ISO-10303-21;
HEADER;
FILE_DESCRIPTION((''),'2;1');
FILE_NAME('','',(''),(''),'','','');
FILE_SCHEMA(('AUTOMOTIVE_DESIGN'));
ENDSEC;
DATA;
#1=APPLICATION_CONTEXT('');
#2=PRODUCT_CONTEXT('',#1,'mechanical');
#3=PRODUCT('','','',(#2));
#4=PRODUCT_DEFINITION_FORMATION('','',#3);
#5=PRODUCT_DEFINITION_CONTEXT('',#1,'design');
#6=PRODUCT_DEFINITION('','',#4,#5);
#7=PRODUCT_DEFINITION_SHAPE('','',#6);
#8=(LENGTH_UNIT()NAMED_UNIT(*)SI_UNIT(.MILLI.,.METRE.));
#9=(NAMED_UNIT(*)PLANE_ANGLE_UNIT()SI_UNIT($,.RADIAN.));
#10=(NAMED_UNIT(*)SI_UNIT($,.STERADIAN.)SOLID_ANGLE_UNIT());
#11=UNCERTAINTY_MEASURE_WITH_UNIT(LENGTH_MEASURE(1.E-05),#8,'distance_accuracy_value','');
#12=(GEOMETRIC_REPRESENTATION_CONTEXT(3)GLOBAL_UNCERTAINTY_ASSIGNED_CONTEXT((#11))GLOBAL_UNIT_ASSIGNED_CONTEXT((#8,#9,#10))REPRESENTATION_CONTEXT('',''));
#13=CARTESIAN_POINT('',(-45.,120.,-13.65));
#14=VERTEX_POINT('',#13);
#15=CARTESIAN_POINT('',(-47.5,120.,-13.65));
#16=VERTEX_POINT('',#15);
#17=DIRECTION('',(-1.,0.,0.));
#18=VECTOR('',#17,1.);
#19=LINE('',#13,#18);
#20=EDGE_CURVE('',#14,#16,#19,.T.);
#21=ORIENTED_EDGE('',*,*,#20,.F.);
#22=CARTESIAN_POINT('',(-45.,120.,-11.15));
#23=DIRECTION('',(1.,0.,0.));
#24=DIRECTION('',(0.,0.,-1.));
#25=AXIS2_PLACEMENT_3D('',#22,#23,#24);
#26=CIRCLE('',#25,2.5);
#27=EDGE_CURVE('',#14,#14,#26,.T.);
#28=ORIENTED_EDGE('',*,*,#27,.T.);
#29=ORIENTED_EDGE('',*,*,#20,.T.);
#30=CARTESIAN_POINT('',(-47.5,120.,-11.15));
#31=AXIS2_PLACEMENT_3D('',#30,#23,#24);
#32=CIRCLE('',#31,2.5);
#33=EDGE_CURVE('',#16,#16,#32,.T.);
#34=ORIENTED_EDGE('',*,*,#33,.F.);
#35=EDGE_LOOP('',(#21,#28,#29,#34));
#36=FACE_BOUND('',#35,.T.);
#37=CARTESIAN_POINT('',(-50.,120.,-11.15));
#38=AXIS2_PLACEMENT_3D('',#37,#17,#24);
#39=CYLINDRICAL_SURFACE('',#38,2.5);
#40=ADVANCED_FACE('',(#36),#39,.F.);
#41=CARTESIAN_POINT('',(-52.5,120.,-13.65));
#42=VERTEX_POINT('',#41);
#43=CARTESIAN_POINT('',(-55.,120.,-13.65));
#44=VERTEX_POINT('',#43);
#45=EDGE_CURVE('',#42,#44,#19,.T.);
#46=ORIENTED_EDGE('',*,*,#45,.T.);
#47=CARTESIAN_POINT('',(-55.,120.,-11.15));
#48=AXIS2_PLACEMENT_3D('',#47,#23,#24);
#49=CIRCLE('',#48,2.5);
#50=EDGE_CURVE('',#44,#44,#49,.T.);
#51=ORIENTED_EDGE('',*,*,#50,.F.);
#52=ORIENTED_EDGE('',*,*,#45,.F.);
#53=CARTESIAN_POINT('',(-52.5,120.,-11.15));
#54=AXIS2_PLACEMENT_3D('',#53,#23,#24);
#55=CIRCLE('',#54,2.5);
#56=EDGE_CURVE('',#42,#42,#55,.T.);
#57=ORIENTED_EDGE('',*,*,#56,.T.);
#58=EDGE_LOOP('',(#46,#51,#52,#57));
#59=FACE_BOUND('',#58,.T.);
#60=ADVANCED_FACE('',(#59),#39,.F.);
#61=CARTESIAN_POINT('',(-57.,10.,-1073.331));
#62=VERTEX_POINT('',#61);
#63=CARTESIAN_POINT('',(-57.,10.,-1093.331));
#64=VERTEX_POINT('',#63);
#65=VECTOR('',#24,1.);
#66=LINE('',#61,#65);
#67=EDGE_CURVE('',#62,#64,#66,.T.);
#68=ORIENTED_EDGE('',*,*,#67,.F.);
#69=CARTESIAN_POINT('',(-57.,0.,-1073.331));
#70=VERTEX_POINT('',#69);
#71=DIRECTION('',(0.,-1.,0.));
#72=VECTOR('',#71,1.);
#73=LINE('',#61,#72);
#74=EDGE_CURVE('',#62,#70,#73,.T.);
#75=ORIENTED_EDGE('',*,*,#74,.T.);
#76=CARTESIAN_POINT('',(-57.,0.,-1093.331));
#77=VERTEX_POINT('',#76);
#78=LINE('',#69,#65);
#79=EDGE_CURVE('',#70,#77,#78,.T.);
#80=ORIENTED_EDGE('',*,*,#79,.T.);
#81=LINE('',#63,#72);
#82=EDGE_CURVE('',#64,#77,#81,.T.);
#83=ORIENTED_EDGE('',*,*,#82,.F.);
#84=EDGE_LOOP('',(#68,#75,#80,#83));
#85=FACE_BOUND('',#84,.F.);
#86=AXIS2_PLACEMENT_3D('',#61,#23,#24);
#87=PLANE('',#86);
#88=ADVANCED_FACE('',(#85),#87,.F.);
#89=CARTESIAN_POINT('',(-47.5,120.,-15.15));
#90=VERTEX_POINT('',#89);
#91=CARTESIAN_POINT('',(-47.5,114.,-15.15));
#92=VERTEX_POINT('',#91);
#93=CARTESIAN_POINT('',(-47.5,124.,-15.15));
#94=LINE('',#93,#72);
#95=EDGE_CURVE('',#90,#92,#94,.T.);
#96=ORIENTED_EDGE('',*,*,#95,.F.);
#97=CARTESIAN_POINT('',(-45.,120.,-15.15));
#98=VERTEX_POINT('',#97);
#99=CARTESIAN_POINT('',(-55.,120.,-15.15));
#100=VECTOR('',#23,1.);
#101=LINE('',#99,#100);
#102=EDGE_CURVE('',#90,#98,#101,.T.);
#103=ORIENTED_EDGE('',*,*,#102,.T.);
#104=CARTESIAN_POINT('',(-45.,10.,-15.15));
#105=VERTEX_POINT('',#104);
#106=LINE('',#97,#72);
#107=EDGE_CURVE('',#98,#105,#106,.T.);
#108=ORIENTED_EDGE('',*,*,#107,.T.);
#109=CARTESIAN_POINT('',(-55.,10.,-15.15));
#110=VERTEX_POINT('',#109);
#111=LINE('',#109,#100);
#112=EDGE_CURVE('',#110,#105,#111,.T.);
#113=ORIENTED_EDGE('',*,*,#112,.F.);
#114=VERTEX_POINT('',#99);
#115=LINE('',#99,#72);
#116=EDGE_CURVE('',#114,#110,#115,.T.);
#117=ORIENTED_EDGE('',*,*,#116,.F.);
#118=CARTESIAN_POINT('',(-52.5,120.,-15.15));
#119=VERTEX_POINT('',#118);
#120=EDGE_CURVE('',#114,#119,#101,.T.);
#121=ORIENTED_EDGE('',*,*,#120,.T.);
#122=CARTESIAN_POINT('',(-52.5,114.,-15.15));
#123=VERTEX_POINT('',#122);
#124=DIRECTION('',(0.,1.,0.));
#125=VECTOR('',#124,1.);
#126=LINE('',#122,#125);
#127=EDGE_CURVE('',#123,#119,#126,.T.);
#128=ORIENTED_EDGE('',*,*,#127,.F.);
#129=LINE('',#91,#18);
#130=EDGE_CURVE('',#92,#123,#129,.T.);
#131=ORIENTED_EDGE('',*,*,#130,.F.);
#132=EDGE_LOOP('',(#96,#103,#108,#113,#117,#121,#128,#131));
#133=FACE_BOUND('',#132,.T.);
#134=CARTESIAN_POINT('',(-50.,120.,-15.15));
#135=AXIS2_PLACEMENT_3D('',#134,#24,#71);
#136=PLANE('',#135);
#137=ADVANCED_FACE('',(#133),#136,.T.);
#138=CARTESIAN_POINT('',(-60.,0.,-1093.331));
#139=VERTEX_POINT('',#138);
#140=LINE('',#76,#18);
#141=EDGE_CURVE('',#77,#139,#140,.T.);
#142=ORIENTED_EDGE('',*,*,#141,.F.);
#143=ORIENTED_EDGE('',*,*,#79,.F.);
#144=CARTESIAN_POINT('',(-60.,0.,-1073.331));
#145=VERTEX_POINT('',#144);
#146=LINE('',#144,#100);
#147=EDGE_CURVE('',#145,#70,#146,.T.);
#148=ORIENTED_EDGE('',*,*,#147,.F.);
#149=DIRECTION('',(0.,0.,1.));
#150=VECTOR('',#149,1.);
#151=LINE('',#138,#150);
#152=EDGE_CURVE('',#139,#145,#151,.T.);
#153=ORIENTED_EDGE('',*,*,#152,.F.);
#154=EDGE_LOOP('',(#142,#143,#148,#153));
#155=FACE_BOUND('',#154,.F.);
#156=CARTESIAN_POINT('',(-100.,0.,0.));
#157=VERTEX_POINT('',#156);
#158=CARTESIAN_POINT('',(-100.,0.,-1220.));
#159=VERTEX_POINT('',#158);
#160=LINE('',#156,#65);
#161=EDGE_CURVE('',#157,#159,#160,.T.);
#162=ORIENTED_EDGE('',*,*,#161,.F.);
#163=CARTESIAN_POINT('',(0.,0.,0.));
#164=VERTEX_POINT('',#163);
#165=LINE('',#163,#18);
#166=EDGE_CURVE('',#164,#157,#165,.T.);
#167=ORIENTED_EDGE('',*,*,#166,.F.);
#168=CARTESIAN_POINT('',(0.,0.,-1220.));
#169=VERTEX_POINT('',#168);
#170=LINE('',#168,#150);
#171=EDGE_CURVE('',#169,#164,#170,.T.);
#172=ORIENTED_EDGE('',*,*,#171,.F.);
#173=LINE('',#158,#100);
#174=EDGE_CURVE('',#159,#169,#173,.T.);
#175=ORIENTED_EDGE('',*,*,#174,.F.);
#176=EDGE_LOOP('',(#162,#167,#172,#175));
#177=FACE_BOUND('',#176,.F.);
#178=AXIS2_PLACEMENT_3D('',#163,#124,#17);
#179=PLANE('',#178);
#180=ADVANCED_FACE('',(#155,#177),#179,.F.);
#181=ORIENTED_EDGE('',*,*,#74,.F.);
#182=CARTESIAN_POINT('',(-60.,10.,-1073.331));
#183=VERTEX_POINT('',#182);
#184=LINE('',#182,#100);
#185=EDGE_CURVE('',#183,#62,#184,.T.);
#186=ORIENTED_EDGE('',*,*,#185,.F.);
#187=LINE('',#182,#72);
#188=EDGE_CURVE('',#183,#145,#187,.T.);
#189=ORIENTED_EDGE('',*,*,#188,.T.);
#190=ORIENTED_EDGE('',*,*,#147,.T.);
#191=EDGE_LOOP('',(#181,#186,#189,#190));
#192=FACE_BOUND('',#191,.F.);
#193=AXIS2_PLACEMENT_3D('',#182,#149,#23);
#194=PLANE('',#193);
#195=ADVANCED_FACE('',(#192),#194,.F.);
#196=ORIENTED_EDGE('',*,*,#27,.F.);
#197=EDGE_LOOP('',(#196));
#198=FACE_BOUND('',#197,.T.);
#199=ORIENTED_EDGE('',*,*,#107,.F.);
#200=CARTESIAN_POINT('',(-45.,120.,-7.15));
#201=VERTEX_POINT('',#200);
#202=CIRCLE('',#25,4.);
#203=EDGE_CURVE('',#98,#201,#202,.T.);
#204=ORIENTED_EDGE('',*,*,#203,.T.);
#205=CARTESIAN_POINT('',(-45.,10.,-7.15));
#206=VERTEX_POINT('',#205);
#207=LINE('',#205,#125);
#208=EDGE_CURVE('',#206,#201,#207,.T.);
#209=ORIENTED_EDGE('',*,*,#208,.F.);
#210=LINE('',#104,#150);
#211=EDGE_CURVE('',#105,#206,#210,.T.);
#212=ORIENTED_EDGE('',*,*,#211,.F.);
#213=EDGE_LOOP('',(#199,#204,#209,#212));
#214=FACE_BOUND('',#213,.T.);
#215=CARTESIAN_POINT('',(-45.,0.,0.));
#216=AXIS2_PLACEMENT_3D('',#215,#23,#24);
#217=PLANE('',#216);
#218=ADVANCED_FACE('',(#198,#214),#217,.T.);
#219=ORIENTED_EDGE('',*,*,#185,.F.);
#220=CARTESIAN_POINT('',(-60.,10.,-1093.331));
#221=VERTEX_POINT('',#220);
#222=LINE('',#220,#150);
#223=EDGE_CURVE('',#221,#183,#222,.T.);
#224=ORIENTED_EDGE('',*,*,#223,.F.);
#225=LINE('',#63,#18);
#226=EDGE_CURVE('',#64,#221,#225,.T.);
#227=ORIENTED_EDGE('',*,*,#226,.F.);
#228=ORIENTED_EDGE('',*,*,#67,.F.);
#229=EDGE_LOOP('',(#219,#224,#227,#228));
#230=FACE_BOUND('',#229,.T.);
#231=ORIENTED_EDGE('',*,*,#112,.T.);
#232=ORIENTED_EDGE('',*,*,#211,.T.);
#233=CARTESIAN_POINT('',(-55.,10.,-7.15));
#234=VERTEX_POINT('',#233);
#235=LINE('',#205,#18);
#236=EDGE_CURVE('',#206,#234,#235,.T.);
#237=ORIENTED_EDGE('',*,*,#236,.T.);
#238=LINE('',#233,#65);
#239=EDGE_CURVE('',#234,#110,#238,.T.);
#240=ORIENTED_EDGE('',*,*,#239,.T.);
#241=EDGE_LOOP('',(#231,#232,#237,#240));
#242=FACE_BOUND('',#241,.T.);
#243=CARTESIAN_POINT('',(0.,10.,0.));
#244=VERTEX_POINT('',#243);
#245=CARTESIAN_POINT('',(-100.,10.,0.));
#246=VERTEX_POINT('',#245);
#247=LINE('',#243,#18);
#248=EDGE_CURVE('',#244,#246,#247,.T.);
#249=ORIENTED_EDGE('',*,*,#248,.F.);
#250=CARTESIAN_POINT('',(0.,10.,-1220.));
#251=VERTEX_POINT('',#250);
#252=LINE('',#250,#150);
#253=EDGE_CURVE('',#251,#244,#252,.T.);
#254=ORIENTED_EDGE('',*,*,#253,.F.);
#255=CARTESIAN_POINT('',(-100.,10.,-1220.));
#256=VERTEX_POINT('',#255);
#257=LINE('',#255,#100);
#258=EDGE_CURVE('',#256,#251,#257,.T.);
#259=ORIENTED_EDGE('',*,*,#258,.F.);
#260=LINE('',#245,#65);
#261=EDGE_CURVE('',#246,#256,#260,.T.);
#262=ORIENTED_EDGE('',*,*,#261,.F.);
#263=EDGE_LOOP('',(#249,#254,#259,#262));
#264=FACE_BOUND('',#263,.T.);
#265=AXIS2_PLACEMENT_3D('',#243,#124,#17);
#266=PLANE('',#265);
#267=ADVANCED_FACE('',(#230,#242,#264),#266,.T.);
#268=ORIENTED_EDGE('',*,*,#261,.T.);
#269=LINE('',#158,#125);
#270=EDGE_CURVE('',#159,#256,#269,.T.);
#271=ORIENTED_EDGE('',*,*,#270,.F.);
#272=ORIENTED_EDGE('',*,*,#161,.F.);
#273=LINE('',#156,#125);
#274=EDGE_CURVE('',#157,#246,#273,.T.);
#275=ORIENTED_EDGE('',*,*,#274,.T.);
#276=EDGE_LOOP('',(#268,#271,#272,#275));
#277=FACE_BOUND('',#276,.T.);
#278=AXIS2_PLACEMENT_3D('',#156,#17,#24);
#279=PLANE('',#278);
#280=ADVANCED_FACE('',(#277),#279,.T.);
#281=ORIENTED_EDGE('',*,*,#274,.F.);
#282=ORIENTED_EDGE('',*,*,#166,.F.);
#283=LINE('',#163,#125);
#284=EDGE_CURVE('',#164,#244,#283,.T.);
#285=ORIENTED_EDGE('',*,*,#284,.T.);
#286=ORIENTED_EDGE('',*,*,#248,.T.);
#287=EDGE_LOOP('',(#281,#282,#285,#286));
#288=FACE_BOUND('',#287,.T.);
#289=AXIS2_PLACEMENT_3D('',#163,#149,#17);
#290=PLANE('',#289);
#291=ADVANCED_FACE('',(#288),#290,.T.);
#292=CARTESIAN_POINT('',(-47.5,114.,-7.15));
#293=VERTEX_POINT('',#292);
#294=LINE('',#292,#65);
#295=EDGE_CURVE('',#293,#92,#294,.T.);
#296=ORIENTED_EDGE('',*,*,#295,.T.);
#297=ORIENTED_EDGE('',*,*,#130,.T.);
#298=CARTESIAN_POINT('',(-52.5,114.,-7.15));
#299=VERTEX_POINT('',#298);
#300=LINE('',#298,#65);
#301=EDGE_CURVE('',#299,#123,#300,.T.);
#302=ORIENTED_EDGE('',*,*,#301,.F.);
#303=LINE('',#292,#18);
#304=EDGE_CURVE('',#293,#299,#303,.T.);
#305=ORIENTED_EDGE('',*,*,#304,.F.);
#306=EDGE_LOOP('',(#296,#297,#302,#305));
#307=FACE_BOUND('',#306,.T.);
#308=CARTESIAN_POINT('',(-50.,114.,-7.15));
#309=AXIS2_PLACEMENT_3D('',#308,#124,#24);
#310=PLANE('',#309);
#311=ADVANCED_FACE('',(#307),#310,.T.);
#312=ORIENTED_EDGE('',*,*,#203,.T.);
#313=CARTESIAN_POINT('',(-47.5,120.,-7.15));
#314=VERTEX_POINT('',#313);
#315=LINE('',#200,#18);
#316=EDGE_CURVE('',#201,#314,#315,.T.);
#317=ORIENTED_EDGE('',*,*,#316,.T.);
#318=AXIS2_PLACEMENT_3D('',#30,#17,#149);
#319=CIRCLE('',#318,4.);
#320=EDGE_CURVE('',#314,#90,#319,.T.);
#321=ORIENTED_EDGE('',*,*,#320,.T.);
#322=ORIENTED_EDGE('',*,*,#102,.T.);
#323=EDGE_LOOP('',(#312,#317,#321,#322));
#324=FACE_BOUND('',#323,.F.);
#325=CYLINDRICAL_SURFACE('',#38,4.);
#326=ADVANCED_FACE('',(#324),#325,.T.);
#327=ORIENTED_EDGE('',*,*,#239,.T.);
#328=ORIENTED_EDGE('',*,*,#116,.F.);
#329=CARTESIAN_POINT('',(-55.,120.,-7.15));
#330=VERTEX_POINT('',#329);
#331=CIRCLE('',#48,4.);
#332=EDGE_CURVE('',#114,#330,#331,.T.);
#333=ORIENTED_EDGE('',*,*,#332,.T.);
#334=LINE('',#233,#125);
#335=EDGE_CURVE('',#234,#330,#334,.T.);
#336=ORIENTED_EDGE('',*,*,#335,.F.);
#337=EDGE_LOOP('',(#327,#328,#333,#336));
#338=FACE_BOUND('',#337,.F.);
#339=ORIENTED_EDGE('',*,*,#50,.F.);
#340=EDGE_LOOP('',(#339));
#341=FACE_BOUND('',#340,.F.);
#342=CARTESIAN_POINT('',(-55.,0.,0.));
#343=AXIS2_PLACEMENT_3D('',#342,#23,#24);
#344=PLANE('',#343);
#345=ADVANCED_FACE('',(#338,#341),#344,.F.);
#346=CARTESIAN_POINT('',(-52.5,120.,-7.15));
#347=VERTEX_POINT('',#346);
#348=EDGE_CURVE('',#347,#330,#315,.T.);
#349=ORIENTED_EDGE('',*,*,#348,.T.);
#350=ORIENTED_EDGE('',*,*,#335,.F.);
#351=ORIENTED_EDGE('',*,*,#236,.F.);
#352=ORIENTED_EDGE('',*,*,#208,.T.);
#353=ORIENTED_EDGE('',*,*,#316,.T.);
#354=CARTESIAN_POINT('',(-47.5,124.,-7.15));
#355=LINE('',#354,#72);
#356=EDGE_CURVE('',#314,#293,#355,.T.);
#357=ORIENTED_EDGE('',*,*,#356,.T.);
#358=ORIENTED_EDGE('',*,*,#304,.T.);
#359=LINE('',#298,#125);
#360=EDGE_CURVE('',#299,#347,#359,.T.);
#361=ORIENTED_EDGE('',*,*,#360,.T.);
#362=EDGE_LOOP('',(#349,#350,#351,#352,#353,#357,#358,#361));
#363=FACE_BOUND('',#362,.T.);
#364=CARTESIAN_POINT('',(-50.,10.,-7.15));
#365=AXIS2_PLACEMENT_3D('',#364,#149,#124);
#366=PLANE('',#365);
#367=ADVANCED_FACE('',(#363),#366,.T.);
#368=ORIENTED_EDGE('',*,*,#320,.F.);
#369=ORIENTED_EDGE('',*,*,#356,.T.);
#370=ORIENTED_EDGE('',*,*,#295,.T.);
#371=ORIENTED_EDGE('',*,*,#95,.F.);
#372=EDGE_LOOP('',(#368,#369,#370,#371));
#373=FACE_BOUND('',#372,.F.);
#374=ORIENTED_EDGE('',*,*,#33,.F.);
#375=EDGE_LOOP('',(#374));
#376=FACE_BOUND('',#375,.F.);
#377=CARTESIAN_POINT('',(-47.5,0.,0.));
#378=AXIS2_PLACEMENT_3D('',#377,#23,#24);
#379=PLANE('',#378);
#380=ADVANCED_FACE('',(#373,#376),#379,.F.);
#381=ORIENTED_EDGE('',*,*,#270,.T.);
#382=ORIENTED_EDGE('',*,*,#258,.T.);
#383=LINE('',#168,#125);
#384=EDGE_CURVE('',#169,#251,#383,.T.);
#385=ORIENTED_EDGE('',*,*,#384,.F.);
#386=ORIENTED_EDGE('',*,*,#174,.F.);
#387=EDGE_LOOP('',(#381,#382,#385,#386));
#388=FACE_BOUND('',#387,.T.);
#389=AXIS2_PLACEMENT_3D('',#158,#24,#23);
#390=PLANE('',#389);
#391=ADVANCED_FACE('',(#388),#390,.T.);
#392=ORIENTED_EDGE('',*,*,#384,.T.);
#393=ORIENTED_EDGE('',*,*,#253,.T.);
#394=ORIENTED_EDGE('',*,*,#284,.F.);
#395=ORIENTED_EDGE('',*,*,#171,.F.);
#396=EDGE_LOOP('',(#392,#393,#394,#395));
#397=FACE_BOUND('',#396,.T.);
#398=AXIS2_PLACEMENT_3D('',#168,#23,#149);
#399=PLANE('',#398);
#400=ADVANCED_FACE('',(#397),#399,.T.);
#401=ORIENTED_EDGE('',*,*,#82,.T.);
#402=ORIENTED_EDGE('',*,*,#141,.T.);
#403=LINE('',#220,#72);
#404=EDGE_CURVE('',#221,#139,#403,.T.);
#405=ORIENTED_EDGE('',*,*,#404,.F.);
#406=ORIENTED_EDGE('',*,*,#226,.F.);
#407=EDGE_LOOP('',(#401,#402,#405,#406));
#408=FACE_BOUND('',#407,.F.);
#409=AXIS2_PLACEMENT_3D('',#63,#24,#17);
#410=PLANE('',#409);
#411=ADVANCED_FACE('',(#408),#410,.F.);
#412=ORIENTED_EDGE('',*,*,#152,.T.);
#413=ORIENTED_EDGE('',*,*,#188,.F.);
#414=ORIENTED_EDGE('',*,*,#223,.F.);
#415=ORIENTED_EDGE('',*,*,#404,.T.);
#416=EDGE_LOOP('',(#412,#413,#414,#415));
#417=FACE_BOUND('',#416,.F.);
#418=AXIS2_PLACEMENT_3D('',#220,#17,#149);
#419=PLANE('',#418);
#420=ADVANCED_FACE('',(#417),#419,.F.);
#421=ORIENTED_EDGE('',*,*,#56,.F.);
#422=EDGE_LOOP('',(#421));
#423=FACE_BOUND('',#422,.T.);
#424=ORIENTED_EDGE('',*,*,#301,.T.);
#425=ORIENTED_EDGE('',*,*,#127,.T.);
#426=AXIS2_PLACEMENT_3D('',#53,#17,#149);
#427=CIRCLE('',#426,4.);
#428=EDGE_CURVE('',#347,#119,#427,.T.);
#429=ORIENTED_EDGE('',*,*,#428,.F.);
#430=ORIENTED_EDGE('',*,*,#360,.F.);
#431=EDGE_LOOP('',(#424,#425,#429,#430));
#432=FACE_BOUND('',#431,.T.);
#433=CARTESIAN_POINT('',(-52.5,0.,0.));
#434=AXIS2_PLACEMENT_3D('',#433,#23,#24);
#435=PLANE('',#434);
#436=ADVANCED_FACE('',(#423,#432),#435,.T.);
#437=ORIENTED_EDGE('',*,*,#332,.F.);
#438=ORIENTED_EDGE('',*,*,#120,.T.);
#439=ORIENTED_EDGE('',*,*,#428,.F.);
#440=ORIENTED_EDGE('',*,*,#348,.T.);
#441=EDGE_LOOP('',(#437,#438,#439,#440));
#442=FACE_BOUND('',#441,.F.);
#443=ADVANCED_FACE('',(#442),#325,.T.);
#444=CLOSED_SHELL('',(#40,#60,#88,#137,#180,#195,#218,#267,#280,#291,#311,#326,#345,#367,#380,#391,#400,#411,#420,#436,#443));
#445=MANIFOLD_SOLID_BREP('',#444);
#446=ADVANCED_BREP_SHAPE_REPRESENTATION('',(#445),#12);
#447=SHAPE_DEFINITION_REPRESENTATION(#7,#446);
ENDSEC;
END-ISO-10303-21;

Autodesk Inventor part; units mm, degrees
ref_plane "YZ Plane" through (0, 0, 0) normal (1, 0, 0) x (0, 1, 0)
ref_plane "XZ Plane" through (0, 0, 0) normal (0, 1, 0) x (-1, 0, 0)
ref_plane "XY Plane" through (0, 0, 0) normal (0, 0, 1) x (1, 0, 0)
sketch "Sketch1" plane through (0, 0, 0) normal (0, 1, 0) x (-1, 0, 0)
  line L0 (0, 0) -> (100, 0)
  line L1 (100, 0) -> (100, -1220)
  line L2 (100, -1220) -> (0, -1220)
  line L3 (0, -1220) -> (0, 0)
  dimension "d0" = 100
  dimension "d1" = 1220
extrude "Extrusion1" add sketch "Sketch1" along normal blind 10
ref_plane "Work Plane1" through (-50, 0, 0) normal (1, 0, 0) x (0, 0, -1)
sketch "Sketch3" plane through (-50, 0, 0) normal (1, 0, 0) x (0, 0, -1)
  line L0 (1220, 0) -> (0, 0) projected
  line L1 (1220, 0) -> (1220, 10) projected
  line L2 (0, 10) -> (1220, 10) projected
  line L3 (0, 0) -> (0, 10) projected
  line L4 (1220, 10) -> (0, 10) projected
  line L5 (0, 10) -> (11.15, 10)
  circle A0 centre (11.15, 120) radius 2.5
  arc A1 (15.15, 120) -> (7.15, 120) centre (11.15, 120) ccw
  line L6 (15.15, 120) -> (15.15, 10)
  line L7 (15.15, 10) -> (7.15, 10)
  line L8 (7.15, 10) -> (7.15, 120)
  dimension "d18" = 11.15
  dimension "d21" = 5
  dimension "d22" = 8
  dimension "d24" = 8
  dimension "d31" = 110
extrude "Extrusion3" add sketch "Sketch3" along normal mid plane 10 contours L2 L8 A1 L6
sketch "Sketch4" plane through (-50, 0, 0) normal (1, 0, 0) x (0, 0, -1)
  arc A0 (15.15, 120) -> (7.15, 120) centre (11.15, 120) ccw projected
  circle A1 centre (11.15, 120) radius 2.5 projected
  line L0 (7.15, 120) -> (7.15, 10) projected
  line L1 (15.15, 124) -> (7.15, 124)
  line L2 (7.15, 124) -> (7.15, 114)
  line L3 (7.15, 114) -> (15.15, 114)
  line L4 (15.15, 114) -> (15.15, 124)
  point P0 (0, 0)
  dimension "d27" = 10
  dimension "d30" = 4
extrude "Extrusion4" cut sketch "Sketch4" along normal mid plane 5
sketch "Sketch5" plane through (0, 10, 0) normal (0, 1, 0) x (1, 0, 0)
  line L0 (-60, 1073.331) -> (-57, 1073.331)
  line L1 (-57, 1073.331) -> (-57, 1093.331)
  line L2 (-57, 1093.331) -> (-60, 1093.331)
  line L3 (-60, 1093.331) -> (-60, 1073.331)
  line L4 (-100, 1220) -> (-100, 0) projected
  line L5 (0, 1220) -> (-100, 1220) projected
  point P0 (0, 0)
  dimension "d32" = 3
  dimension "d33" = 20
  dimension "d34" = 40
  dimension "d35" = 126.669
extrude "Extrusion5" cut sketch "Sketch5" against normal blind 10
properties part number "Base_015"
